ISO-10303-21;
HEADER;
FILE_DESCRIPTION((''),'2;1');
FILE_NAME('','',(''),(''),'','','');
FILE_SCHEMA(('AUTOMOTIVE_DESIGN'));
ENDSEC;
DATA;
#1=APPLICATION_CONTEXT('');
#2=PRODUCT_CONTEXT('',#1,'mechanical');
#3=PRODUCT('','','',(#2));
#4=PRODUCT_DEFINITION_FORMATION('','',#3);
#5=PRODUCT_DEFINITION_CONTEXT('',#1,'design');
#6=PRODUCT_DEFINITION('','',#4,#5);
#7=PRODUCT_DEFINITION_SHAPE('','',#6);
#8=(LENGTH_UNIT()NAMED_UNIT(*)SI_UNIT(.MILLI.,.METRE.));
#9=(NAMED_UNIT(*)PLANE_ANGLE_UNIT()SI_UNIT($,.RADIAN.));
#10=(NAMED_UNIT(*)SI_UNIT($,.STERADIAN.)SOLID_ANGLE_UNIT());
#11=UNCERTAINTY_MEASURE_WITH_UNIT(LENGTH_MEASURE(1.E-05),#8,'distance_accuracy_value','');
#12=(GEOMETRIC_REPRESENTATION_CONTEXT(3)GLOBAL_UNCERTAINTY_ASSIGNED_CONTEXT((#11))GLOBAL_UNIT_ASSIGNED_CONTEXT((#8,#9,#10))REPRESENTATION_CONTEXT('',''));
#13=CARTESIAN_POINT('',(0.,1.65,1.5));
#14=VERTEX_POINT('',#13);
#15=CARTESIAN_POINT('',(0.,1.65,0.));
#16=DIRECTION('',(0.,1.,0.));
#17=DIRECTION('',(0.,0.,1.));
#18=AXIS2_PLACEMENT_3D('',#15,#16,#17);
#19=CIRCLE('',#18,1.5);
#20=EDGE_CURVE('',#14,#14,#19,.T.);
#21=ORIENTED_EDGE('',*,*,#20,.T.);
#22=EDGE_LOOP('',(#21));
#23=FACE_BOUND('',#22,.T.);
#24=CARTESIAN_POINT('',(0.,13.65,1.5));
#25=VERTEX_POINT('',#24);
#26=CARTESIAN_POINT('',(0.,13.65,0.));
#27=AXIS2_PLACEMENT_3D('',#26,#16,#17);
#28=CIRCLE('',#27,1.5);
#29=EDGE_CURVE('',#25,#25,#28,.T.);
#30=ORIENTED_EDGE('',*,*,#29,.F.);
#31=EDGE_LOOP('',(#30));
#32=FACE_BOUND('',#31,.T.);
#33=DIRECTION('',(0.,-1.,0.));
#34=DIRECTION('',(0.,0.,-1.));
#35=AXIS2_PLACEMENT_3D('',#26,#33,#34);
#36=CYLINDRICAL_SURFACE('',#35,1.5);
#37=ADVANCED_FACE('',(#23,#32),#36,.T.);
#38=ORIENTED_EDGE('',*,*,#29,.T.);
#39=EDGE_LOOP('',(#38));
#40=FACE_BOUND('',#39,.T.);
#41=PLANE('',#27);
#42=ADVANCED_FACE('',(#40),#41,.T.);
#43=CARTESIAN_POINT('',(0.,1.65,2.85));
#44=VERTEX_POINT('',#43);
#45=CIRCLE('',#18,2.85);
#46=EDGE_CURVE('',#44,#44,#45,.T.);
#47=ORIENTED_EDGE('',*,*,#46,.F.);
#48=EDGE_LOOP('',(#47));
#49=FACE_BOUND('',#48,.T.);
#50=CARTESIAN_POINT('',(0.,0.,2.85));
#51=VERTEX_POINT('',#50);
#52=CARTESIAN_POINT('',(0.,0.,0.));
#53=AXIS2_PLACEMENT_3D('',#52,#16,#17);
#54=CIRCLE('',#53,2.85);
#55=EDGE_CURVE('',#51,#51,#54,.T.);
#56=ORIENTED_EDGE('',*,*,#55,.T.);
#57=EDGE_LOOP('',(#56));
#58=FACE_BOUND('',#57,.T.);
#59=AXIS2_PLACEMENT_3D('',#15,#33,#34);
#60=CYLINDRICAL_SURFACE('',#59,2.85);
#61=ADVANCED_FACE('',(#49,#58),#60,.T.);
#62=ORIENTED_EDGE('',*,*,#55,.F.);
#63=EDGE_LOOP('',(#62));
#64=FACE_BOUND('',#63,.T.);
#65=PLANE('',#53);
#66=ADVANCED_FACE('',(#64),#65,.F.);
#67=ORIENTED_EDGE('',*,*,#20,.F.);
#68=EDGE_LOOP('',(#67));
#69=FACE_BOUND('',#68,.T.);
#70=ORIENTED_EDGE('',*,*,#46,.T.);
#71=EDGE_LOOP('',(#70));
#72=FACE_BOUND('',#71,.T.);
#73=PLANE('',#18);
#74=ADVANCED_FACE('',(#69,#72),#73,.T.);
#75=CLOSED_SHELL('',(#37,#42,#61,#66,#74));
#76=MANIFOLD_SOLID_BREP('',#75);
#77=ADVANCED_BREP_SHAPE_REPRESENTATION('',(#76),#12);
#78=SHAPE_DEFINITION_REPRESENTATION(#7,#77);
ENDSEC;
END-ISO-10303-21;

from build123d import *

# Parameters (mm, degrees)
SKETCH_1_R      = 2.85
EXTRUDE_1_DEPTH = 1.65
SKETCH_2_R      = 1.5
EXTRUDE_2_DEPTH = 12


with BuildPart() as part:
    # 草图1 → 凸台-拉伸1 (new body)
    with BuildSketch(Plane(origin=(0, 0, 0), x_dir=(1, 0, 0), z_dir=(0, 1, 0))):
        with Locations(Location((0, 0, 0), (0, 0, 270))):
            Circle(SKETCH_1_R)
    extrude(amount=EXTRUDE_1_DEPTH)

    # 草图2 → 凸台-拉伸2 (add)
    with BuildSketch(Plane(origin=(0, 1.65, 0), x_dir=(1, 0, 0), z_dir=(0, 1, 0))):
        with Locations(Location((0, 0, 0), (0, 0, 270))):
            Circle(SKETCH_2_R)
    extrude(amount=EXTRUDE_2_DEPTH)


solid = part.part
